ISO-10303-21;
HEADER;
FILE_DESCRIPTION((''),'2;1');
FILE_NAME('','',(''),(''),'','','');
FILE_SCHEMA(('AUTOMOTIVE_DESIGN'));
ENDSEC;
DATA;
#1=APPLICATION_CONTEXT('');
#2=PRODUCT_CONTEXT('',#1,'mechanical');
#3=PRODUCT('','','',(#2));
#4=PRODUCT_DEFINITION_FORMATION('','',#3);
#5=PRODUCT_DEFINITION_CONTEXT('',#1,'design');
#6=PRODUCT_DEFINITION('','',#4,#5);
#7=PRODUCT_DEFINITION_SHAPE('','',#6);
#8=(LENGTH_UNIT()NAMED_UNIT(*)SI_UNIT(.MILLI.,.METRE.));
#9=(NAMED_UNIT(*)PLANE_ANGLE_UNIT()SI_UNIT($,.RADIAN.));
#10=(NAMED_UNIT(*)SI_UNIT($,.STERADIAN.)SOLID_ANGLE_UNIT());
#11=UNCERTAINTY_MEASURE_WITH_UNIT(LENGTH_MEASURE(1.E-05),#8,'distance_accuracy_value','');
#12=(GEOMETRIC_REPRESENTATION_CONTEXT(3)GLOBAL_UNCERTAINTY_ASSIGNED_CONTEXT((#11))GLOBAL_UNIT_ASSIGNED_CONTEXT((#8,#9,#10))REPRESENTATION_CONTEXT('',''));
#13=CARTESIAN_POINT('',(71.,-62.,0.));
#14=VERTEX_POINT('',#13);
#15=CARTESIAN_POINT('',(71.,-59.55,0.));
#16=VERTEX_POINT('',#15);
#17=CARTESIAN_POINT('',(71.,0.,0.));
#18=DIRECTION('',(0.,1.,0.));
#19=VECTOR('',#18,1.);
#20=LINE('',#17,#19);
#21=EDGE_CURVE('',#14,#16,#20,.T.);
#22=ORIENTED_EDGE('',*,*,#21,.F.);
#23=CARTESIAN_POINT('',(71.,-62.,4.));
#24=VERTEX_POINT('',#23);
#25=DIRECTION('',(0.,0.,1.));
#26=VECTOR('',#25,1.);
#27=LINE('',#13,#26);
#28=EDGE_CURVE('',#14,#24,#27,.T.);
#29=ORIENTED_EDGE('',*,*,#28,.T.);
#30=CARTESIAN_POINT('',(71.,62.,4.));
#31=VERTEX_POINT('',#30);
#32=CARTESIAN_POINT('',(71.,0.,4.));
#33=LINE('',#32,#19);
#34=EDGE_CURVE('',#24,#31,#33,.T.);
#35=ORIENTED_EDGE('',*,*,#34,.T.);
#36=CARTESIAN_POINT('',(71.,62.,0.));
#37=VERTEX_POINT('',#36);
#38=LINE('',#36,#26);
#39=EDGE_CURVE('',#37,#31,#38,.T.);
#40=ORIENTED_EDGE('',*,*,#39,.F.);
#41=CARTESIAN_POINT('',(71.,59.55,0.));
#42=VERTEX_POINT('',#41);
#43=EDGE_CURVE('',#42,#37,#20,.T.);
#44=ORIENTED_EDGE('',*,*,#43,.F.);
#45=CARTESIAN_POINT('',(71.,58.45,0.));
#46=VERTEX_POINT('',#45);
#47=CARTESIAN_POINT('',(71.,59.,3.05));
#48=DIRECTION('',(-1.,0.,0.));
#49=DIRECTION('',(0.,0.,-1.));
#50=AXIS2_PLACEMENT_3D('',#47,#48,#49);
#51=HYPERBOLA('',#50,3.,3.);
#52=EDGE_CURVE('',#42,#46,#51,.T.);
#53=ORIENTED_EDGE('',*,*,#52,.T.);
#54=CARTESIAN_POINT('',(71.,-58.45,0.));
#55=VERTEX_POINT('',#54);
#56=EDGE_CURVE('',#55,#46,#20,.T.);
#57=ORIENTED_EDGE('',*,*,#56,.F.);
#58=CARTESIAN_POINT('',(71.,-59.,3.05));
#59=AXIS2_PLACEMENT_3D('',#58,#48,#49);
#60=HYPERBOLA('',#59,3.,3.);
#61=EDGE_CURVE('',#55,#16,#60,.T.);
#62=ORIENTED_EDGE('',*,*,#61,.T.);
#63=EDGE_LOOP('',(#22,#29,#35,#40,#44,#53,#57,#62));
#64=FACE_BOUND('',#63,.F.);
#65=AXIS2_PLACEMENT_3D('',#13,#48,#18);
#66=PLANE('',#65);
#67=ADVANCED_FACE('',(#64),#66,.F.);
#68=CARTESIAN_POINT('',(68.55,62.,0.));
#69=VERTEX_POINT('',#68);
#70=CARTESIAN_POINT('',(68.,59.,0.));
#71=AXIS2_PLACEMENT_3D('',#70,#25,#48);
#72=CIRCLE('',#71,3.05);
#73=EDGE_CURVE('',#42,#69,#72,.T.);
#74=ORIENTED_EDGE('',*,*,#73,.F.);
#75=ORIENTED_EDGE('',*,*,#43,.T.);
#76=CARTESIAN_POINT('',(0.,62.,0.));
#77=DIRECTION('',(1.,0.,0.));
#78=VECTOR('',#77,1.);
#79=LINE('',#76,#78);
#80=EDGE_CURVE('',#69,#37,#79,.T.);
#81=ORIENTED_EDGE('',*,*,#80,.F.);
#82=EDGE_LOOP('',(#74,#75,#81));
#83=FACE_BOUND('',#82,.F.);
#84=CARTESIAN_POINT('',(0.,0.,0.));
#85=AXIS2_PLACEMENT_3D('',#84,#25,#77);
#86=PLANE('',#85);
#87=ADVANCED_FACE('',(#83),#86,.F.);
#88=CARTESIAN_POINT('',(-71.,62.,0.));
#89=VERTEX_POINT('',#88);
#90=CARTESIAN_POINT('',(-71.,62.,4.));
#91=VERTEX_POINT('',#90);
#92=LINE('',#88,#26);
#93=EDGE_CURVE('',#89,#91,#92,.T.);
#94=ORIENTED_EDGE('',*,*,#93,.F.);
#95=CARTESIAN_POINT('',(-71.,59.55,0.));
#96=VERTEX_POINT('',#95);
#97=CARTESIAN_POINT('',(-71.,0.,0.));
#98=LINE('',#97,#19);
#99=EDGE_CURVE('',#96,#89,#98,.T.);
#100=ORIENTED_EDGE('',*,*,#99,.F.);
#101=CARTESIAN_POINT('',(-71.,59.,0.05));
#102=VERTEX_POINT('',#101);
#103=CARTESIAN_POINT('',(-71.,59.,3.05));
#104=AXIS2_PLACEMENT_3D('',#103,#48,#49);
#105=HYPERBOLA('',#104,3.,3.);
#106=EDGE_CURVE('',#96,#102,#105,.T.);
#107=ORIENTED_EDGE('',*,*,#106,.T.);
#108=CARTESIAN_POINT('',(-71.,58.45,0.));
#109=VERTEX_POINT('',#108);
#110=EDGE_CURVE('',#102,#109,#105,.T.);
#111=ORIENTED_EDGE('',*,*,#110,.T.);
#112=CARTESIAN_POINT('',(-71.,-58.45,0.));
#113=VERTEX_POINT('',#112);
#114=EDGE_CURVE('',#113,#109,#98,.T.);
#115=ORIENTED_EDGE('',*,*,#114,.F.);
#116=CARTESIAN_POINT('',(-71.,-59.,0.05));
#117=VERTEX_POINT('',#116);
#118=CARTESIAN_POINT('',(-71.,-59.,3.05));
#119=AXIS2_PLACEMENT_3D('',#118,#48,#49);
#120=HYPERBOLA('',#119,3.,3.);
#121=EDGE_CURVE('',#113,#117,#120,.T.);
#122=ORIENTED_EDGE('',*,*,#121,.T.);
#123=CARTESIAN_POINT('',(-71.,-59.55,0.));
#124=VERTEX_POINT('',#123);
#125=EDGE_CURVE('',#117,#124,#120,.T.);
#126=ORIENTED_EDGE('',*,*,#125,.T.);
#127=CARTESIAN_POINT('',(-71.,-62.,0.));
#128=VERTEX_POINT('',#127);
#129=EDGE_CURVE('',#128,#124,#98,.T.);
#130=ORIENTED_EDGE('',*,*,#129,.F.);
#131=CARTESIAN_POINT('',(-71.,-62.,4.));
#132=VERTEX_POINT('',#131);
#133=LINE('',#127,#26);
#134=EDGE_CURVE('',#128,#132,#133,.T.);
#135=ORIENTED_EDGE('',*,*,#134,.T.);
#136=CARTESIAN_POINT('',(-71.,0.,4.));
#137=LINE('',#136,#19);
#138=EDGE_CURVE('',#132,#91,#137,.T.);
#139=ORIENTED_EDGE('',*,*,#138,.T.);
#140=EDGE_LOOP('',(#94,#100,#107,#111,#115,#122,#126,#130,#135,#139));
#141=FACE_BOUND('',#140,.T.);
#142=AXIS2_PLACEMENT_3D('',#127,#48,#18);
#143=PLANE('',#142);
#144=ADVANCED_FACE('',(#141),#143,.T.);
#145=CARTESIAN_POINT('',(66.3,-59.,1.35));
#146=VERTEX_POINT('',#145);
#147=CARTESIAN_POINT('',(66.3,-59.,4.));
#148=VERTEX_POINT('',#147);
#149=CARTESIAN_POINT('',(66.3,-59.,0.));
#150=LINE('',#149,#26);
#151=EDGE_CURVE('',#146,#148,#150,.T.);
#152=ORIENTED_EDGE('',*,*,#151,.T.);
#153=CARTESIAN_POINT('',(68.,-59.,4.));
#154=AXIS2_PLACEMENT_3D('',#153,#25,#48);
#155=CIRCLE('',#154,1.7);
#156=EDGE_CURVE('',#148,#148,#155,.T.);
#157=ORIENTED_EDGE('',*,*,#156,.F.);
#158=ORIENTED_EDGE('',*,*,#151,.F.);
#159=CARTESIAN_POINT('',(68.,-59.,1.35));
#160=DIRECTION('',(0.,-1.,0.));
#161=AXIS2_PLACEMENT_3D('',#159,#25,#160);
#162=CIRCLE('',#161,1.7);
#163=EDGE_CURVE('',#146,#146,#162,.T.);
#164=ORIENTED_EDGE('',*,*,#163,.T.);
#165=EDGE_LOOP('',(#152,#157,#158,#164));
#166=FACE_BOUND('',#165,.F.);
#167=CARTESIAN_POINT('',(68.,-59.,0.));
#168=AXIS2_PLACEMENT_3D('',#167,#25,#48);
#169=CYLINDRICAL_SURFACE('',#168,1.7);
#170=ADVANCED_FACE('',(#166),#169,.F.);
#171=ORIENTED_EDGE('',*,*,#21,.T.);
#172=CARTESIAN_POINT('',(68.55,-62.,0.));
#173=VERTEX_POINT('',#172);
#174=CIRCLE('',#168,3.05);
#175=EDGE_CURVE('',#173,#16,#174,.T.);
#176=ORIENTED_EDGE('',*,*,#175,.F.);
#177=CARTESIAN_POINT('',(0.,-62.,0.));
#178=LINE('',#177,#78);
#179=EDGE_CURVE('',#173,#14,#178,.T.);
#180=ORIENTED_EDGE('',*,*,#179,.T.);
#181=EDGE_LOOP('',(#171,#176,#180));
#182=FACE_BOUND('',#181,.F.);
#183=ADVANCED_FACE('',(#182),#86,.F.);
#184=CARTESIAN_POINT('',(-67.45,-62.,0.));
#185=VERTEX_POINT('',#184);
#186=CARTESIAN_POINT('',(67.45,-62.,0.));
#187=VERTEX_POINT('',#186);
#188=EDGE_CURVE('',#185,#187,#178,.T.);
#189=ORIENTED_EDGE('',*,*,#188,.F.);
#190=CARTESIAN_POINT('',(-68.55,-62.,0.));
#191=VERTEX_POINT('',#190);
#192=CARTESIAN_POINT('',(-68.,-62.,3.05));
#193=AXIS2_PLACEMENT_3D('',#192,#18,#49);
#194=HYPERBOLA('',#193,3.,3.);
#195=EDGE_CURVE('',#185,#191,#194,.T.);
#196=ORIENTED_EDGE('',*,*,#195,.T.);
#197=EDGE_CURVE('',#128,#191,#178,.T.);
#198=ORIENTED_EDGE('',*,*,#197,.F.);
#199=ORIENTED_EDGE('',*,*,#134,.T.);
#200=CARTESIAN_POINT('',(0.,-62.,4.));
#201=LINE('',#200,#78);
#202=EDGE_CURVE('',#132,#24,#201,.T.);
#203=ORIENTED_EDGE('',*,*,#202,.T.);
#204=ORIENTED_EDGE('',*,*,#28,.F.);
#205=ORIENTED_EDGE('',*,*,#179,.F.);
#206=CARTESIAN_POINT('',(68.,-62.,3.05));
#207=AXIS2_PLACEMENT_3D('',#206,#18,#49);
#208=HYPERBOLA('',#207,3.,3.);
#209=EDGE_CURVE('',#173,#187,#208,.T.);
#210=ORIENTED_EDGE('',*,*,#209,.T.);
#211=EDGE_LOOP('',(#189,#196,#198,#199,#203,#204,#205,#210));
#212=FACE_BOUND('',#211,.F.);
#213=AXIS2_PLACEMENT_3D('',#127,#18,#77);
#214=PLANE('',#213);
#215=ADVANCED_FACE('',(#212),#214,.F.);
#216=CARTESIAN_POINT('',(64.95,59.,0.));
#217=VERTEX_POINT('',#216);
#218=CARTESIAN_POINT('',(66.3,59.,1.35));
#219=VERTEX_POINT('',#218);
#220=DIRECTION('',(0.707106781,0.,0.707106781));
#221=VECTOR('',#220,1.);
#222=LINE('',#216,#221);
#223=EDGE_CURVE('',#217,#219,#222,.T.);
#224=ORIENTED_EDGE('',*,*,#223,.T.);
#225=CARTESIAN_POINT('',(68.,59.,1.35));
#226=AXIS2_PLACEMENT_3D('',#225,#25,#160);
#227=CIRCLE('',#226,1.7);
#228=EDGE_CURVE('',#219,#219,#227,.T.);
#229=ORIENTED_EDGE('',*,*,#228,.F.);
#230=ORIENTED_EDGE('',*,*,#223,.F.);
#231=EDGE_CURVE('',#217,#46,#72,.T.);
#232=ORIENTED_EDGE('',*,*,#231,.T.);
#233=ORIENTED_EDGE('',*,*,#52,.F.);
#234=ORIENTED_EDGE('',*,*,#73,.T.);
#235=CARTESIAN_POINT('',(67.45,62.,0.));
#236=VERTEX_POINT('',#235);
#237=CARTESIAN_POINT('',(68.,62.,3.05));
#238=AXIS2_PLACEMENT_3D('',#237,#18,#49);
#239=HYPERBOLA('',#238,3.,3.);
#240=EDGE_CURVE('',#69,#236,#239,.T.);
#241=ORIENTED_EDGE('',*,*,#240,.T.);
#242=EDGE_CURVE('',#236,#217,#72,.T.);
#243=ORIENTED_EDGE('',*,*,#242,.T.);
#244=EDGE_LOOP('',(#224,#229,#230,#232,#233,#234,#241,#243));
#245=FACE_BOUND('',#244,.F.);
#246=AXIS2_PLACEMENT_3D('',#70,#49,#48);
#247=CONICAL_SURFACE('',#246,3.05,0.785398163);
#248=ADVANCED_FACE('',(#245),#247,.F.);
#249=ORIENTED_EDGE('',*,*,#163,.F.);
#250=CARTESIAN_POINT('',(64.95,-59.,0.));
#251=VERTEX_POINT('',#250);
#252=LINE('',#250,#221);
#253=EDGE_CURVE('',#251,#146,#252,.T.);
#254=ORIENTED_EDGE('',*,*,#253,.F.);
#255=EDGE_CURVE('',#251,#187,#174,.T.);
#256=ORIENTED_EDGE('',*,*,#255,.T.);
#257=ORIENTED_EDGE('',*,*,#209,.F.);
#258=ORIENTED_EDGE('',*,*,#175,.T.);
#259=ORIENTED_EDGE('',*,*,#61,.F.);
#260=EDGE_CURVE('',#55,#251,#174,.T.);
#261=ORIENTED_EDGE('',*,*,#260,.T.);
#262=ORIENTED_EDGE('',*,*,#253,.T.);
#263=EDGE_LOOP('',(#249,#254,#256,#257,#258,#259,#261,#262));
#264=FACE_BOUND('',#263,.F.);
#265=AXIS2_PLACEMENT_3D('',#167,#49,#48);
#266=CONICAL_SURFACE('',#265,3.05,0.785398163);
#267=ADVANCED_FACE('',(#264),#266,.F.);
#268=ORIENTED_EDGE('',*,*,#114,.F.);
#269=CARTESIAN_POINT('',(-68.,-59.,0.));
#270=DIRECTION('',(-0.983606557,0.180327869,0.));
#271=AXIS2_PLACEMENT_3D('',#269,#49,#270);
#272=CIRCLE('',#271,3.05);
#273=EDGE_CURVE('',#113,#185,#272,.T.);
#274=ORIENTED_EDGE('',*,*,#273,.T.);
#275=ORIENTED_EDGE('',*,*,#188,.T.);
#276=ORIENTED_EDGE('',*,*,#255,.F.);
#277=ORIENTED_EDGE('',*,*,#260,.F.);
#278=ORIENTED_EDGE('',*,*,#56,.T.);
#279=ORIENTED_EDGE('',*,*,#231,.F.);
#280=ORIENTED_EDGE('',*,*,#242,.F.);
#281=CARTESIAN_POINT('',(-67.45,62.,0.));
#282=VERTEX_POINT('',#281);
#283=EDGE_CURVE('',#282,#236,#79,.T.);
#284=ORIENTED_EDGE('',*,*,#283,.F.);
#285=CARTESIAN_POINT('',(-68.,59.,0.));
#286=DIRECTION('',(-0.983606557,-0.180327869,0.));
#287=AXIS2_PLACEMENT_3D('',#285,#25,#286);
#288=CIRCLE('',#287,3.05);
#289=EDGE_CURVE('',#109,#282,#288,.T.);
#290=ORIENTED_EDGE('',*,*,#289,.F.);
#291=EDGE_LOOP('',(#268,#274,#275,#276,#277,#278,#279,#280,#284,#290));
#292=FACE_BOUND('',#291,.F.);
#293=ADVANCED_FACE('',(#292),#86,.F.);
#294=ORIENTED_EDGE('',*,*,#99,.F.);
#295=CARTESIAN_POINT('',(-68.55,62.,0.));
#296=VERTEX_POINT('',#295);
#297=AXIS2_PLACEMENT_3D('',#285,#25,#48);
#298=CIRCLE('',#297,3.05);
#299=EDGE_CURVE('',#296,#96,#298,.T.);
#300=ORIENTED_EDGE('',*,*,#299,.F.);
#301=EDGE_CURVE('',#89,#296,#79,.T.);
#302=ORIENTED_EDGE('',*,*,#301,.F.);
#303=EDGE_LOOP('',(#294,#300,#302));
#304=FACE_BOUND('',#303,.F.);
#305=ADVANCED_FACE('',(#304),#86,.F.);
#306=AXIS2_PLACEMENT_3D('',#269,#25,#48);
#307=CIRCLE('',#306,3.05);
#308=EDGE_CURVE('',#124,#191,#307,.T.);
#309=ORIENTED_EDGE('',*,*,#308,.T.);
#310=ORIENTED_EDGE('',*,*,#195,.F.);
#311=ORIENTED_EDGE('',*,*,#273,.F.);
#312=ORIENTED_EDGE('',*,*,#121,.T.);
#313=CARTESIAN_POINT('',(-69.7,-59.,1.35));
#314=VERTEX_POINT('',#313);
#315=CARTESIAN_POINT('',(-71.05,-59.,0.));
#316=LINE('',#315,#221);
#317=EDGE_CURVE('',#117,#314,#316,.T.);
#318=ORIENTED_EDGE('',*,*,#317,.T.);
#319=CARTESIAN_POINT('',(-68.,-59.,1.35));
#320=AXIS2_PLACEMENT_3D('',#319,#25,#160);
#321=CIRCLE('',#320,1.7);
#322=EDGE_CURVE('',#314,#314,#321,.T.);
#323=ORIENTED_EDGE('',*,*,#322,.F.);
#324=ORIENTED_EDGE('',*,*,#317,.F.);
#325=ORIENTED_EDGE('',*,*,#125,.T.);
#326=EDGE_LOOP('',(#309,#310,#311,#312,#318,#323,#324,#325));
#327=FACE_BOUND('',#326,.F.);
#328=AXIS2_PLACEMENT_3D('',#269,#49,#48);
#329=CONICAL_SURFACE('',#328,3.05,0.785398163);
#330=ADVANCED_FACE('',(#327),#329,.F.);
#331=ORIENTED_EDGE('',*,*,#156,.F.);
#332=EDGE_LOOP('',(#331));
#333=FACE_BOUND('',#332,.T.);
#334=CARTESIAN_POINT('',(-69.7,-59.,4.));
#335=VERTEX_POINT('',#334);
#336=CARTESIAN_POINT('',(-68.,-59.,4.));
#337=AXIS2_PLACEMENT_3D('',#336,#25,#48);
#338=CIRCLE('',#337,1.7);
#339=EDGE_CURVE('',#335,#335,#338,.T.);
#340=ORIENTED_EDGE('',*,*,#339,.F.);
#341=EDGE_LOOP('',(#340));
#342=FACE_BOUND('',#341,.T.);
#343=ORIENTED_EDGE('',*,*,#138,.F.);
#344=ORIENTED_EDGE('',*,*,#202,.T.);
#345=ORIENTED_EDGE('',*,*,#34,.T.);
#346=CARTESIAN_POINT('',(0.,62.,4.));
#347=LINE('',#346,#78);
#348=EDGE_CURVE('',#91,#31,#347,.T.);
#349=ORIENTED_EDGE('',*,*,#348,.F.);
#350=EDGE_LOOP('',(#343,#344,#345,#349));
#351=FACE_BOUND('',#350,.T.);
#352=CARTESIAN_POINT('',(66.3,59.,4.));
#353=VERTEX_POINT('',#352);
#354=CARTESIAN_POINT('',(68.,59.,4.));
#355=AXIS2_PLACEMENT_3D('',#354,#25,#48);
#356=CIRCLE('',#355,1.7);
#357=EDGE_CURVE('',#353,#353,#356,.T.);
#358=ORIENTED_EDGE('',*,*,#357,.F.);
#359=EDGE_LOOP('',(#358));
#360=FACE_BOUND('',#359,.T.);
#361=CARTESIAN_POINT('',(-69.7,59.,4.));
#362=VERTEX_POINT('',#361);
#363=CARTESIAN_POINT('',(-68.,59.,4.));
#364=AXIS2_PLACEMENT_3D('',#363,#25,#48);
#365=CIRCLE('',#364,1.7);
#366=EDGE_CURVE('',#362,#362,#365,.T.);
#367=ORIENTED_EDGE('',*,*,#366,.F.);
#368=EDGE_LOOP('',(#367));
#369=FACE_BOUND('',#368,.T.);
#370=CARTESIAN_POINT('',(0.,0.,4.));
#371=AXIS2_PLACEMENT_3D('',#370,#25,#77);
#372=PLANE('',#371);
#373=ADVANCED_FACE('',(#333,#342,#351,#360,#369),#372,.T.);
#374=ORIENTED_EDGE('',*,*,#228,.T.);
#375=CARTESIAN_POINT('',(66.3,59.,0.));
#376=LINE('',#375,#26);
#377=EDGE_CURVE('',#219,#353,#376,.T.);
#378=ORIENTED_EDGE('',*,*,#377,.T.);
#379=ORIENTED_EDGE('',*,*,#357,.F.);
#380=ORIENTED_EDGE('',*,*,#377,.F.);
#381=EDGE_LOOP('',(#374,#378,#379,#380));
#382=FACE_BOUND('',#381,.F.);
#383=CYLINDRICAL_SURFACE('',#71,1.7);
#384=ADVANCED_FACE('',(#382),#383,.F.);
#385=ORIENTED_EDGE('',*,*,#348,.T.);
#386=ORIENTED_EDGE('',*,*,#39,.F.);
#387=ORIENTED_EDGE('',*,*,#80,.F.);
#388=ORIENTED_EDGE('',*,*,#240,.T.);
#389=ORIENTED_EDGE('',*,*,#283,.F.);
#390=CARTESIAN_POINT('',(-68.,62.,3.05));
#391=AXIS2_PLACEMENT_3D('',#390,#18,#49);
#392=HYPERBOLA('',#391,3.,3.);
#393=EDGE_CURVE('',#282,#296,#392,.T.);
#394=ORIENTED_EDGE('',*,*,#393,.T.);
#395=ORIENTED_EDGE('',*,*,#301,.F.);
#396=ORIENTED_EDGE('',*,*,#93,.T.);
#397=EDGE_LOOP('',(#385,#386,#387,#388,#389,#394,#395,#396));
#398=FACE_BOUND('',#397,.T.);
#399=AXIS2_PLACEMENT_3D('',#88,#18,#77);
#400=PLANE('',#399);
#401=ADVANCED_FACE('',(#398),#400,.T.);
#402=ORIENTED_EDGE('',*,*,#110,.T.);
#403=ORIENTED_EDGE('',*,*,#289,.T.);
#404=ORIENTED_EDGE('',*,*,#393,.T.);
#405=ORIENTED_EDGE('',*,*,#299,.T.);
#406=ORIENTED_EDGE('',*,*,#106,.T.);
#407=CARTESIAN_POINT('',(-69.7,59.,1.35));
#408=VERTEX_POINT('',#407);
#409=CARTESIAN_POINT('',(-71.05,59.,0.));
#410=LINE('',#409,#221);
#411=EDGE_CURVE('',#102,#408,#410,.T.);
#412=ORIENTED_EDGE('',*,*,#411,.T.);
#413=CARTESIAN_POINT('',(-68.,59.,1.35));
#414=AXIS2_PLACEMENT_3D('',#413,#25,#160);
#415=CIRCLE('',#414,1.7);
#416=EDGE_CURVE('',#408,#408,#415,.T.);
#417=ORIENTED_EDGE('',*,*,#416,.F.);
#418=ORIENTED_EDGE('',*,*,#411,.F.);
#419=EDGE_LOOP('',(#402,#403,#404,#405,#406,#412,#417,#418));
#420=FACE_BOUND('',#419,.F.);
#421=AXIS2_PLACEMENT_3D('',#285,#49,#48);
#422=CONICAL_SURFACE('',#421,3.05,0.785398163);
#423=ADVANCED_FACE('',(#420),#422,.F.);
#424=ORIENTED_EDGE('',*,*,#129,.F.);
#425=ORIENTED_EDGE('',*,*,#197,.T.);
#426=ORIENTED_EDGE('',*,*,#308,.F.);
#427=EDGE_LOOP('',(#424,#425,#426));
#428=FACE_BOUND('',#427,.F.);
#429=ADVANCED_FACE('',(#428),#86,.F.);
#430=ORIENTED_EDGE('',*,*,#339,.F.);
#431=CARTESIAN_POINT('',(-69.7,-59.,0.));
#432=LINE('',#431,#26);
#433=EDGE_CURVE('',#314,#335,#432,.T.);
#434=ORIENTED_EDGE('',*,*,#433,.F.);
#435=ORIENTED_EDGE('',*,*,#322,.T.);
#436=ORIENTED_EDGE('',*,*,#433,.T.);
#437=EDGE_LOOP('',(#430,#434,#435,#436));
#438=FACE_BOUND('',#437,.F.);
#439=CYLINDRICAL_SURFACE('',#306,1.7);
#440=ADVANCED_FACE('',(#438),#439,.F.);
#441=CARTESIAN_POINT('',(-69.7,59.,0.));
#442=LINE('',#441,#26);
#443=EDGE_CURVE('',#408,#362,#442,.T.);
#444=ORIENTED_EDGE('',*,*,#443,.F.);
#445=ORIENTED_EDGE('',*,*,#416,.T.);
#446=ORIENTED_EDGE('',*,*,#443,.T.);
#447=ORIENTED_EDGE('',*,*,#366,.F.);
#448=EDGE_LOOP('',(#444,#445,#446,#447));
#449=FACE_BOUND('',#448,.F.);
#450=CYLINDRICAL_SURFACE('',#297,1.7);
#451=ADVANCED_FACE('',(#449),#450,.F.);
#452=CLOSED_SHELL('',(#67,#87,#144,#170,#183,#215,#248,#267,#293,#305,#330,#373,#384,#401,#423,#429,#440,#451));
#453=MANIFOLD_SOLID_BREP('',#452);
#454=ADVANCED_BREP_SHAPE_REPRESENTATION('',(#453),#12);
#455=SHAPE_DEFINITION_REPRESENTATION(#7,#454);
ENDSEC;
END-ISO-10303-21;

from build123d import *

# Parameters (mm, degrees)
SKETCH_W         = 142
SKETCH_H         = 124
PAD_DEPTH        = 4
HOLE_D           = 3.4
HOLE_DEPTH       = 25
HOLE_CSINK_D     = 6.1
HOLE_CSINK_ANGLE = 90


with BuildPart() as part:
    # Sketch → Pad (new body)
    with BuildSketch(Plane.XY):
        Rectangle(SKETCH_W, SKETCH_H)
    extrude(amount=PAD_DEPTH)

    # Hole
    with Locations(Plane(origin=(0, 0, 0), x_dir=(1, 0, 0), z_dir=(0, 0, -1))):
        with Locations((-68, 59), (-68, -59), (68, -59), (68, 59)):
            CounterSinkHole(HOLE_D / 2, HOLE_CSINK_D / 2, depth=HOLE_DEPTH, counter_sink_angle=HOLE_CSINK_ANGLE)


solid = part.part
